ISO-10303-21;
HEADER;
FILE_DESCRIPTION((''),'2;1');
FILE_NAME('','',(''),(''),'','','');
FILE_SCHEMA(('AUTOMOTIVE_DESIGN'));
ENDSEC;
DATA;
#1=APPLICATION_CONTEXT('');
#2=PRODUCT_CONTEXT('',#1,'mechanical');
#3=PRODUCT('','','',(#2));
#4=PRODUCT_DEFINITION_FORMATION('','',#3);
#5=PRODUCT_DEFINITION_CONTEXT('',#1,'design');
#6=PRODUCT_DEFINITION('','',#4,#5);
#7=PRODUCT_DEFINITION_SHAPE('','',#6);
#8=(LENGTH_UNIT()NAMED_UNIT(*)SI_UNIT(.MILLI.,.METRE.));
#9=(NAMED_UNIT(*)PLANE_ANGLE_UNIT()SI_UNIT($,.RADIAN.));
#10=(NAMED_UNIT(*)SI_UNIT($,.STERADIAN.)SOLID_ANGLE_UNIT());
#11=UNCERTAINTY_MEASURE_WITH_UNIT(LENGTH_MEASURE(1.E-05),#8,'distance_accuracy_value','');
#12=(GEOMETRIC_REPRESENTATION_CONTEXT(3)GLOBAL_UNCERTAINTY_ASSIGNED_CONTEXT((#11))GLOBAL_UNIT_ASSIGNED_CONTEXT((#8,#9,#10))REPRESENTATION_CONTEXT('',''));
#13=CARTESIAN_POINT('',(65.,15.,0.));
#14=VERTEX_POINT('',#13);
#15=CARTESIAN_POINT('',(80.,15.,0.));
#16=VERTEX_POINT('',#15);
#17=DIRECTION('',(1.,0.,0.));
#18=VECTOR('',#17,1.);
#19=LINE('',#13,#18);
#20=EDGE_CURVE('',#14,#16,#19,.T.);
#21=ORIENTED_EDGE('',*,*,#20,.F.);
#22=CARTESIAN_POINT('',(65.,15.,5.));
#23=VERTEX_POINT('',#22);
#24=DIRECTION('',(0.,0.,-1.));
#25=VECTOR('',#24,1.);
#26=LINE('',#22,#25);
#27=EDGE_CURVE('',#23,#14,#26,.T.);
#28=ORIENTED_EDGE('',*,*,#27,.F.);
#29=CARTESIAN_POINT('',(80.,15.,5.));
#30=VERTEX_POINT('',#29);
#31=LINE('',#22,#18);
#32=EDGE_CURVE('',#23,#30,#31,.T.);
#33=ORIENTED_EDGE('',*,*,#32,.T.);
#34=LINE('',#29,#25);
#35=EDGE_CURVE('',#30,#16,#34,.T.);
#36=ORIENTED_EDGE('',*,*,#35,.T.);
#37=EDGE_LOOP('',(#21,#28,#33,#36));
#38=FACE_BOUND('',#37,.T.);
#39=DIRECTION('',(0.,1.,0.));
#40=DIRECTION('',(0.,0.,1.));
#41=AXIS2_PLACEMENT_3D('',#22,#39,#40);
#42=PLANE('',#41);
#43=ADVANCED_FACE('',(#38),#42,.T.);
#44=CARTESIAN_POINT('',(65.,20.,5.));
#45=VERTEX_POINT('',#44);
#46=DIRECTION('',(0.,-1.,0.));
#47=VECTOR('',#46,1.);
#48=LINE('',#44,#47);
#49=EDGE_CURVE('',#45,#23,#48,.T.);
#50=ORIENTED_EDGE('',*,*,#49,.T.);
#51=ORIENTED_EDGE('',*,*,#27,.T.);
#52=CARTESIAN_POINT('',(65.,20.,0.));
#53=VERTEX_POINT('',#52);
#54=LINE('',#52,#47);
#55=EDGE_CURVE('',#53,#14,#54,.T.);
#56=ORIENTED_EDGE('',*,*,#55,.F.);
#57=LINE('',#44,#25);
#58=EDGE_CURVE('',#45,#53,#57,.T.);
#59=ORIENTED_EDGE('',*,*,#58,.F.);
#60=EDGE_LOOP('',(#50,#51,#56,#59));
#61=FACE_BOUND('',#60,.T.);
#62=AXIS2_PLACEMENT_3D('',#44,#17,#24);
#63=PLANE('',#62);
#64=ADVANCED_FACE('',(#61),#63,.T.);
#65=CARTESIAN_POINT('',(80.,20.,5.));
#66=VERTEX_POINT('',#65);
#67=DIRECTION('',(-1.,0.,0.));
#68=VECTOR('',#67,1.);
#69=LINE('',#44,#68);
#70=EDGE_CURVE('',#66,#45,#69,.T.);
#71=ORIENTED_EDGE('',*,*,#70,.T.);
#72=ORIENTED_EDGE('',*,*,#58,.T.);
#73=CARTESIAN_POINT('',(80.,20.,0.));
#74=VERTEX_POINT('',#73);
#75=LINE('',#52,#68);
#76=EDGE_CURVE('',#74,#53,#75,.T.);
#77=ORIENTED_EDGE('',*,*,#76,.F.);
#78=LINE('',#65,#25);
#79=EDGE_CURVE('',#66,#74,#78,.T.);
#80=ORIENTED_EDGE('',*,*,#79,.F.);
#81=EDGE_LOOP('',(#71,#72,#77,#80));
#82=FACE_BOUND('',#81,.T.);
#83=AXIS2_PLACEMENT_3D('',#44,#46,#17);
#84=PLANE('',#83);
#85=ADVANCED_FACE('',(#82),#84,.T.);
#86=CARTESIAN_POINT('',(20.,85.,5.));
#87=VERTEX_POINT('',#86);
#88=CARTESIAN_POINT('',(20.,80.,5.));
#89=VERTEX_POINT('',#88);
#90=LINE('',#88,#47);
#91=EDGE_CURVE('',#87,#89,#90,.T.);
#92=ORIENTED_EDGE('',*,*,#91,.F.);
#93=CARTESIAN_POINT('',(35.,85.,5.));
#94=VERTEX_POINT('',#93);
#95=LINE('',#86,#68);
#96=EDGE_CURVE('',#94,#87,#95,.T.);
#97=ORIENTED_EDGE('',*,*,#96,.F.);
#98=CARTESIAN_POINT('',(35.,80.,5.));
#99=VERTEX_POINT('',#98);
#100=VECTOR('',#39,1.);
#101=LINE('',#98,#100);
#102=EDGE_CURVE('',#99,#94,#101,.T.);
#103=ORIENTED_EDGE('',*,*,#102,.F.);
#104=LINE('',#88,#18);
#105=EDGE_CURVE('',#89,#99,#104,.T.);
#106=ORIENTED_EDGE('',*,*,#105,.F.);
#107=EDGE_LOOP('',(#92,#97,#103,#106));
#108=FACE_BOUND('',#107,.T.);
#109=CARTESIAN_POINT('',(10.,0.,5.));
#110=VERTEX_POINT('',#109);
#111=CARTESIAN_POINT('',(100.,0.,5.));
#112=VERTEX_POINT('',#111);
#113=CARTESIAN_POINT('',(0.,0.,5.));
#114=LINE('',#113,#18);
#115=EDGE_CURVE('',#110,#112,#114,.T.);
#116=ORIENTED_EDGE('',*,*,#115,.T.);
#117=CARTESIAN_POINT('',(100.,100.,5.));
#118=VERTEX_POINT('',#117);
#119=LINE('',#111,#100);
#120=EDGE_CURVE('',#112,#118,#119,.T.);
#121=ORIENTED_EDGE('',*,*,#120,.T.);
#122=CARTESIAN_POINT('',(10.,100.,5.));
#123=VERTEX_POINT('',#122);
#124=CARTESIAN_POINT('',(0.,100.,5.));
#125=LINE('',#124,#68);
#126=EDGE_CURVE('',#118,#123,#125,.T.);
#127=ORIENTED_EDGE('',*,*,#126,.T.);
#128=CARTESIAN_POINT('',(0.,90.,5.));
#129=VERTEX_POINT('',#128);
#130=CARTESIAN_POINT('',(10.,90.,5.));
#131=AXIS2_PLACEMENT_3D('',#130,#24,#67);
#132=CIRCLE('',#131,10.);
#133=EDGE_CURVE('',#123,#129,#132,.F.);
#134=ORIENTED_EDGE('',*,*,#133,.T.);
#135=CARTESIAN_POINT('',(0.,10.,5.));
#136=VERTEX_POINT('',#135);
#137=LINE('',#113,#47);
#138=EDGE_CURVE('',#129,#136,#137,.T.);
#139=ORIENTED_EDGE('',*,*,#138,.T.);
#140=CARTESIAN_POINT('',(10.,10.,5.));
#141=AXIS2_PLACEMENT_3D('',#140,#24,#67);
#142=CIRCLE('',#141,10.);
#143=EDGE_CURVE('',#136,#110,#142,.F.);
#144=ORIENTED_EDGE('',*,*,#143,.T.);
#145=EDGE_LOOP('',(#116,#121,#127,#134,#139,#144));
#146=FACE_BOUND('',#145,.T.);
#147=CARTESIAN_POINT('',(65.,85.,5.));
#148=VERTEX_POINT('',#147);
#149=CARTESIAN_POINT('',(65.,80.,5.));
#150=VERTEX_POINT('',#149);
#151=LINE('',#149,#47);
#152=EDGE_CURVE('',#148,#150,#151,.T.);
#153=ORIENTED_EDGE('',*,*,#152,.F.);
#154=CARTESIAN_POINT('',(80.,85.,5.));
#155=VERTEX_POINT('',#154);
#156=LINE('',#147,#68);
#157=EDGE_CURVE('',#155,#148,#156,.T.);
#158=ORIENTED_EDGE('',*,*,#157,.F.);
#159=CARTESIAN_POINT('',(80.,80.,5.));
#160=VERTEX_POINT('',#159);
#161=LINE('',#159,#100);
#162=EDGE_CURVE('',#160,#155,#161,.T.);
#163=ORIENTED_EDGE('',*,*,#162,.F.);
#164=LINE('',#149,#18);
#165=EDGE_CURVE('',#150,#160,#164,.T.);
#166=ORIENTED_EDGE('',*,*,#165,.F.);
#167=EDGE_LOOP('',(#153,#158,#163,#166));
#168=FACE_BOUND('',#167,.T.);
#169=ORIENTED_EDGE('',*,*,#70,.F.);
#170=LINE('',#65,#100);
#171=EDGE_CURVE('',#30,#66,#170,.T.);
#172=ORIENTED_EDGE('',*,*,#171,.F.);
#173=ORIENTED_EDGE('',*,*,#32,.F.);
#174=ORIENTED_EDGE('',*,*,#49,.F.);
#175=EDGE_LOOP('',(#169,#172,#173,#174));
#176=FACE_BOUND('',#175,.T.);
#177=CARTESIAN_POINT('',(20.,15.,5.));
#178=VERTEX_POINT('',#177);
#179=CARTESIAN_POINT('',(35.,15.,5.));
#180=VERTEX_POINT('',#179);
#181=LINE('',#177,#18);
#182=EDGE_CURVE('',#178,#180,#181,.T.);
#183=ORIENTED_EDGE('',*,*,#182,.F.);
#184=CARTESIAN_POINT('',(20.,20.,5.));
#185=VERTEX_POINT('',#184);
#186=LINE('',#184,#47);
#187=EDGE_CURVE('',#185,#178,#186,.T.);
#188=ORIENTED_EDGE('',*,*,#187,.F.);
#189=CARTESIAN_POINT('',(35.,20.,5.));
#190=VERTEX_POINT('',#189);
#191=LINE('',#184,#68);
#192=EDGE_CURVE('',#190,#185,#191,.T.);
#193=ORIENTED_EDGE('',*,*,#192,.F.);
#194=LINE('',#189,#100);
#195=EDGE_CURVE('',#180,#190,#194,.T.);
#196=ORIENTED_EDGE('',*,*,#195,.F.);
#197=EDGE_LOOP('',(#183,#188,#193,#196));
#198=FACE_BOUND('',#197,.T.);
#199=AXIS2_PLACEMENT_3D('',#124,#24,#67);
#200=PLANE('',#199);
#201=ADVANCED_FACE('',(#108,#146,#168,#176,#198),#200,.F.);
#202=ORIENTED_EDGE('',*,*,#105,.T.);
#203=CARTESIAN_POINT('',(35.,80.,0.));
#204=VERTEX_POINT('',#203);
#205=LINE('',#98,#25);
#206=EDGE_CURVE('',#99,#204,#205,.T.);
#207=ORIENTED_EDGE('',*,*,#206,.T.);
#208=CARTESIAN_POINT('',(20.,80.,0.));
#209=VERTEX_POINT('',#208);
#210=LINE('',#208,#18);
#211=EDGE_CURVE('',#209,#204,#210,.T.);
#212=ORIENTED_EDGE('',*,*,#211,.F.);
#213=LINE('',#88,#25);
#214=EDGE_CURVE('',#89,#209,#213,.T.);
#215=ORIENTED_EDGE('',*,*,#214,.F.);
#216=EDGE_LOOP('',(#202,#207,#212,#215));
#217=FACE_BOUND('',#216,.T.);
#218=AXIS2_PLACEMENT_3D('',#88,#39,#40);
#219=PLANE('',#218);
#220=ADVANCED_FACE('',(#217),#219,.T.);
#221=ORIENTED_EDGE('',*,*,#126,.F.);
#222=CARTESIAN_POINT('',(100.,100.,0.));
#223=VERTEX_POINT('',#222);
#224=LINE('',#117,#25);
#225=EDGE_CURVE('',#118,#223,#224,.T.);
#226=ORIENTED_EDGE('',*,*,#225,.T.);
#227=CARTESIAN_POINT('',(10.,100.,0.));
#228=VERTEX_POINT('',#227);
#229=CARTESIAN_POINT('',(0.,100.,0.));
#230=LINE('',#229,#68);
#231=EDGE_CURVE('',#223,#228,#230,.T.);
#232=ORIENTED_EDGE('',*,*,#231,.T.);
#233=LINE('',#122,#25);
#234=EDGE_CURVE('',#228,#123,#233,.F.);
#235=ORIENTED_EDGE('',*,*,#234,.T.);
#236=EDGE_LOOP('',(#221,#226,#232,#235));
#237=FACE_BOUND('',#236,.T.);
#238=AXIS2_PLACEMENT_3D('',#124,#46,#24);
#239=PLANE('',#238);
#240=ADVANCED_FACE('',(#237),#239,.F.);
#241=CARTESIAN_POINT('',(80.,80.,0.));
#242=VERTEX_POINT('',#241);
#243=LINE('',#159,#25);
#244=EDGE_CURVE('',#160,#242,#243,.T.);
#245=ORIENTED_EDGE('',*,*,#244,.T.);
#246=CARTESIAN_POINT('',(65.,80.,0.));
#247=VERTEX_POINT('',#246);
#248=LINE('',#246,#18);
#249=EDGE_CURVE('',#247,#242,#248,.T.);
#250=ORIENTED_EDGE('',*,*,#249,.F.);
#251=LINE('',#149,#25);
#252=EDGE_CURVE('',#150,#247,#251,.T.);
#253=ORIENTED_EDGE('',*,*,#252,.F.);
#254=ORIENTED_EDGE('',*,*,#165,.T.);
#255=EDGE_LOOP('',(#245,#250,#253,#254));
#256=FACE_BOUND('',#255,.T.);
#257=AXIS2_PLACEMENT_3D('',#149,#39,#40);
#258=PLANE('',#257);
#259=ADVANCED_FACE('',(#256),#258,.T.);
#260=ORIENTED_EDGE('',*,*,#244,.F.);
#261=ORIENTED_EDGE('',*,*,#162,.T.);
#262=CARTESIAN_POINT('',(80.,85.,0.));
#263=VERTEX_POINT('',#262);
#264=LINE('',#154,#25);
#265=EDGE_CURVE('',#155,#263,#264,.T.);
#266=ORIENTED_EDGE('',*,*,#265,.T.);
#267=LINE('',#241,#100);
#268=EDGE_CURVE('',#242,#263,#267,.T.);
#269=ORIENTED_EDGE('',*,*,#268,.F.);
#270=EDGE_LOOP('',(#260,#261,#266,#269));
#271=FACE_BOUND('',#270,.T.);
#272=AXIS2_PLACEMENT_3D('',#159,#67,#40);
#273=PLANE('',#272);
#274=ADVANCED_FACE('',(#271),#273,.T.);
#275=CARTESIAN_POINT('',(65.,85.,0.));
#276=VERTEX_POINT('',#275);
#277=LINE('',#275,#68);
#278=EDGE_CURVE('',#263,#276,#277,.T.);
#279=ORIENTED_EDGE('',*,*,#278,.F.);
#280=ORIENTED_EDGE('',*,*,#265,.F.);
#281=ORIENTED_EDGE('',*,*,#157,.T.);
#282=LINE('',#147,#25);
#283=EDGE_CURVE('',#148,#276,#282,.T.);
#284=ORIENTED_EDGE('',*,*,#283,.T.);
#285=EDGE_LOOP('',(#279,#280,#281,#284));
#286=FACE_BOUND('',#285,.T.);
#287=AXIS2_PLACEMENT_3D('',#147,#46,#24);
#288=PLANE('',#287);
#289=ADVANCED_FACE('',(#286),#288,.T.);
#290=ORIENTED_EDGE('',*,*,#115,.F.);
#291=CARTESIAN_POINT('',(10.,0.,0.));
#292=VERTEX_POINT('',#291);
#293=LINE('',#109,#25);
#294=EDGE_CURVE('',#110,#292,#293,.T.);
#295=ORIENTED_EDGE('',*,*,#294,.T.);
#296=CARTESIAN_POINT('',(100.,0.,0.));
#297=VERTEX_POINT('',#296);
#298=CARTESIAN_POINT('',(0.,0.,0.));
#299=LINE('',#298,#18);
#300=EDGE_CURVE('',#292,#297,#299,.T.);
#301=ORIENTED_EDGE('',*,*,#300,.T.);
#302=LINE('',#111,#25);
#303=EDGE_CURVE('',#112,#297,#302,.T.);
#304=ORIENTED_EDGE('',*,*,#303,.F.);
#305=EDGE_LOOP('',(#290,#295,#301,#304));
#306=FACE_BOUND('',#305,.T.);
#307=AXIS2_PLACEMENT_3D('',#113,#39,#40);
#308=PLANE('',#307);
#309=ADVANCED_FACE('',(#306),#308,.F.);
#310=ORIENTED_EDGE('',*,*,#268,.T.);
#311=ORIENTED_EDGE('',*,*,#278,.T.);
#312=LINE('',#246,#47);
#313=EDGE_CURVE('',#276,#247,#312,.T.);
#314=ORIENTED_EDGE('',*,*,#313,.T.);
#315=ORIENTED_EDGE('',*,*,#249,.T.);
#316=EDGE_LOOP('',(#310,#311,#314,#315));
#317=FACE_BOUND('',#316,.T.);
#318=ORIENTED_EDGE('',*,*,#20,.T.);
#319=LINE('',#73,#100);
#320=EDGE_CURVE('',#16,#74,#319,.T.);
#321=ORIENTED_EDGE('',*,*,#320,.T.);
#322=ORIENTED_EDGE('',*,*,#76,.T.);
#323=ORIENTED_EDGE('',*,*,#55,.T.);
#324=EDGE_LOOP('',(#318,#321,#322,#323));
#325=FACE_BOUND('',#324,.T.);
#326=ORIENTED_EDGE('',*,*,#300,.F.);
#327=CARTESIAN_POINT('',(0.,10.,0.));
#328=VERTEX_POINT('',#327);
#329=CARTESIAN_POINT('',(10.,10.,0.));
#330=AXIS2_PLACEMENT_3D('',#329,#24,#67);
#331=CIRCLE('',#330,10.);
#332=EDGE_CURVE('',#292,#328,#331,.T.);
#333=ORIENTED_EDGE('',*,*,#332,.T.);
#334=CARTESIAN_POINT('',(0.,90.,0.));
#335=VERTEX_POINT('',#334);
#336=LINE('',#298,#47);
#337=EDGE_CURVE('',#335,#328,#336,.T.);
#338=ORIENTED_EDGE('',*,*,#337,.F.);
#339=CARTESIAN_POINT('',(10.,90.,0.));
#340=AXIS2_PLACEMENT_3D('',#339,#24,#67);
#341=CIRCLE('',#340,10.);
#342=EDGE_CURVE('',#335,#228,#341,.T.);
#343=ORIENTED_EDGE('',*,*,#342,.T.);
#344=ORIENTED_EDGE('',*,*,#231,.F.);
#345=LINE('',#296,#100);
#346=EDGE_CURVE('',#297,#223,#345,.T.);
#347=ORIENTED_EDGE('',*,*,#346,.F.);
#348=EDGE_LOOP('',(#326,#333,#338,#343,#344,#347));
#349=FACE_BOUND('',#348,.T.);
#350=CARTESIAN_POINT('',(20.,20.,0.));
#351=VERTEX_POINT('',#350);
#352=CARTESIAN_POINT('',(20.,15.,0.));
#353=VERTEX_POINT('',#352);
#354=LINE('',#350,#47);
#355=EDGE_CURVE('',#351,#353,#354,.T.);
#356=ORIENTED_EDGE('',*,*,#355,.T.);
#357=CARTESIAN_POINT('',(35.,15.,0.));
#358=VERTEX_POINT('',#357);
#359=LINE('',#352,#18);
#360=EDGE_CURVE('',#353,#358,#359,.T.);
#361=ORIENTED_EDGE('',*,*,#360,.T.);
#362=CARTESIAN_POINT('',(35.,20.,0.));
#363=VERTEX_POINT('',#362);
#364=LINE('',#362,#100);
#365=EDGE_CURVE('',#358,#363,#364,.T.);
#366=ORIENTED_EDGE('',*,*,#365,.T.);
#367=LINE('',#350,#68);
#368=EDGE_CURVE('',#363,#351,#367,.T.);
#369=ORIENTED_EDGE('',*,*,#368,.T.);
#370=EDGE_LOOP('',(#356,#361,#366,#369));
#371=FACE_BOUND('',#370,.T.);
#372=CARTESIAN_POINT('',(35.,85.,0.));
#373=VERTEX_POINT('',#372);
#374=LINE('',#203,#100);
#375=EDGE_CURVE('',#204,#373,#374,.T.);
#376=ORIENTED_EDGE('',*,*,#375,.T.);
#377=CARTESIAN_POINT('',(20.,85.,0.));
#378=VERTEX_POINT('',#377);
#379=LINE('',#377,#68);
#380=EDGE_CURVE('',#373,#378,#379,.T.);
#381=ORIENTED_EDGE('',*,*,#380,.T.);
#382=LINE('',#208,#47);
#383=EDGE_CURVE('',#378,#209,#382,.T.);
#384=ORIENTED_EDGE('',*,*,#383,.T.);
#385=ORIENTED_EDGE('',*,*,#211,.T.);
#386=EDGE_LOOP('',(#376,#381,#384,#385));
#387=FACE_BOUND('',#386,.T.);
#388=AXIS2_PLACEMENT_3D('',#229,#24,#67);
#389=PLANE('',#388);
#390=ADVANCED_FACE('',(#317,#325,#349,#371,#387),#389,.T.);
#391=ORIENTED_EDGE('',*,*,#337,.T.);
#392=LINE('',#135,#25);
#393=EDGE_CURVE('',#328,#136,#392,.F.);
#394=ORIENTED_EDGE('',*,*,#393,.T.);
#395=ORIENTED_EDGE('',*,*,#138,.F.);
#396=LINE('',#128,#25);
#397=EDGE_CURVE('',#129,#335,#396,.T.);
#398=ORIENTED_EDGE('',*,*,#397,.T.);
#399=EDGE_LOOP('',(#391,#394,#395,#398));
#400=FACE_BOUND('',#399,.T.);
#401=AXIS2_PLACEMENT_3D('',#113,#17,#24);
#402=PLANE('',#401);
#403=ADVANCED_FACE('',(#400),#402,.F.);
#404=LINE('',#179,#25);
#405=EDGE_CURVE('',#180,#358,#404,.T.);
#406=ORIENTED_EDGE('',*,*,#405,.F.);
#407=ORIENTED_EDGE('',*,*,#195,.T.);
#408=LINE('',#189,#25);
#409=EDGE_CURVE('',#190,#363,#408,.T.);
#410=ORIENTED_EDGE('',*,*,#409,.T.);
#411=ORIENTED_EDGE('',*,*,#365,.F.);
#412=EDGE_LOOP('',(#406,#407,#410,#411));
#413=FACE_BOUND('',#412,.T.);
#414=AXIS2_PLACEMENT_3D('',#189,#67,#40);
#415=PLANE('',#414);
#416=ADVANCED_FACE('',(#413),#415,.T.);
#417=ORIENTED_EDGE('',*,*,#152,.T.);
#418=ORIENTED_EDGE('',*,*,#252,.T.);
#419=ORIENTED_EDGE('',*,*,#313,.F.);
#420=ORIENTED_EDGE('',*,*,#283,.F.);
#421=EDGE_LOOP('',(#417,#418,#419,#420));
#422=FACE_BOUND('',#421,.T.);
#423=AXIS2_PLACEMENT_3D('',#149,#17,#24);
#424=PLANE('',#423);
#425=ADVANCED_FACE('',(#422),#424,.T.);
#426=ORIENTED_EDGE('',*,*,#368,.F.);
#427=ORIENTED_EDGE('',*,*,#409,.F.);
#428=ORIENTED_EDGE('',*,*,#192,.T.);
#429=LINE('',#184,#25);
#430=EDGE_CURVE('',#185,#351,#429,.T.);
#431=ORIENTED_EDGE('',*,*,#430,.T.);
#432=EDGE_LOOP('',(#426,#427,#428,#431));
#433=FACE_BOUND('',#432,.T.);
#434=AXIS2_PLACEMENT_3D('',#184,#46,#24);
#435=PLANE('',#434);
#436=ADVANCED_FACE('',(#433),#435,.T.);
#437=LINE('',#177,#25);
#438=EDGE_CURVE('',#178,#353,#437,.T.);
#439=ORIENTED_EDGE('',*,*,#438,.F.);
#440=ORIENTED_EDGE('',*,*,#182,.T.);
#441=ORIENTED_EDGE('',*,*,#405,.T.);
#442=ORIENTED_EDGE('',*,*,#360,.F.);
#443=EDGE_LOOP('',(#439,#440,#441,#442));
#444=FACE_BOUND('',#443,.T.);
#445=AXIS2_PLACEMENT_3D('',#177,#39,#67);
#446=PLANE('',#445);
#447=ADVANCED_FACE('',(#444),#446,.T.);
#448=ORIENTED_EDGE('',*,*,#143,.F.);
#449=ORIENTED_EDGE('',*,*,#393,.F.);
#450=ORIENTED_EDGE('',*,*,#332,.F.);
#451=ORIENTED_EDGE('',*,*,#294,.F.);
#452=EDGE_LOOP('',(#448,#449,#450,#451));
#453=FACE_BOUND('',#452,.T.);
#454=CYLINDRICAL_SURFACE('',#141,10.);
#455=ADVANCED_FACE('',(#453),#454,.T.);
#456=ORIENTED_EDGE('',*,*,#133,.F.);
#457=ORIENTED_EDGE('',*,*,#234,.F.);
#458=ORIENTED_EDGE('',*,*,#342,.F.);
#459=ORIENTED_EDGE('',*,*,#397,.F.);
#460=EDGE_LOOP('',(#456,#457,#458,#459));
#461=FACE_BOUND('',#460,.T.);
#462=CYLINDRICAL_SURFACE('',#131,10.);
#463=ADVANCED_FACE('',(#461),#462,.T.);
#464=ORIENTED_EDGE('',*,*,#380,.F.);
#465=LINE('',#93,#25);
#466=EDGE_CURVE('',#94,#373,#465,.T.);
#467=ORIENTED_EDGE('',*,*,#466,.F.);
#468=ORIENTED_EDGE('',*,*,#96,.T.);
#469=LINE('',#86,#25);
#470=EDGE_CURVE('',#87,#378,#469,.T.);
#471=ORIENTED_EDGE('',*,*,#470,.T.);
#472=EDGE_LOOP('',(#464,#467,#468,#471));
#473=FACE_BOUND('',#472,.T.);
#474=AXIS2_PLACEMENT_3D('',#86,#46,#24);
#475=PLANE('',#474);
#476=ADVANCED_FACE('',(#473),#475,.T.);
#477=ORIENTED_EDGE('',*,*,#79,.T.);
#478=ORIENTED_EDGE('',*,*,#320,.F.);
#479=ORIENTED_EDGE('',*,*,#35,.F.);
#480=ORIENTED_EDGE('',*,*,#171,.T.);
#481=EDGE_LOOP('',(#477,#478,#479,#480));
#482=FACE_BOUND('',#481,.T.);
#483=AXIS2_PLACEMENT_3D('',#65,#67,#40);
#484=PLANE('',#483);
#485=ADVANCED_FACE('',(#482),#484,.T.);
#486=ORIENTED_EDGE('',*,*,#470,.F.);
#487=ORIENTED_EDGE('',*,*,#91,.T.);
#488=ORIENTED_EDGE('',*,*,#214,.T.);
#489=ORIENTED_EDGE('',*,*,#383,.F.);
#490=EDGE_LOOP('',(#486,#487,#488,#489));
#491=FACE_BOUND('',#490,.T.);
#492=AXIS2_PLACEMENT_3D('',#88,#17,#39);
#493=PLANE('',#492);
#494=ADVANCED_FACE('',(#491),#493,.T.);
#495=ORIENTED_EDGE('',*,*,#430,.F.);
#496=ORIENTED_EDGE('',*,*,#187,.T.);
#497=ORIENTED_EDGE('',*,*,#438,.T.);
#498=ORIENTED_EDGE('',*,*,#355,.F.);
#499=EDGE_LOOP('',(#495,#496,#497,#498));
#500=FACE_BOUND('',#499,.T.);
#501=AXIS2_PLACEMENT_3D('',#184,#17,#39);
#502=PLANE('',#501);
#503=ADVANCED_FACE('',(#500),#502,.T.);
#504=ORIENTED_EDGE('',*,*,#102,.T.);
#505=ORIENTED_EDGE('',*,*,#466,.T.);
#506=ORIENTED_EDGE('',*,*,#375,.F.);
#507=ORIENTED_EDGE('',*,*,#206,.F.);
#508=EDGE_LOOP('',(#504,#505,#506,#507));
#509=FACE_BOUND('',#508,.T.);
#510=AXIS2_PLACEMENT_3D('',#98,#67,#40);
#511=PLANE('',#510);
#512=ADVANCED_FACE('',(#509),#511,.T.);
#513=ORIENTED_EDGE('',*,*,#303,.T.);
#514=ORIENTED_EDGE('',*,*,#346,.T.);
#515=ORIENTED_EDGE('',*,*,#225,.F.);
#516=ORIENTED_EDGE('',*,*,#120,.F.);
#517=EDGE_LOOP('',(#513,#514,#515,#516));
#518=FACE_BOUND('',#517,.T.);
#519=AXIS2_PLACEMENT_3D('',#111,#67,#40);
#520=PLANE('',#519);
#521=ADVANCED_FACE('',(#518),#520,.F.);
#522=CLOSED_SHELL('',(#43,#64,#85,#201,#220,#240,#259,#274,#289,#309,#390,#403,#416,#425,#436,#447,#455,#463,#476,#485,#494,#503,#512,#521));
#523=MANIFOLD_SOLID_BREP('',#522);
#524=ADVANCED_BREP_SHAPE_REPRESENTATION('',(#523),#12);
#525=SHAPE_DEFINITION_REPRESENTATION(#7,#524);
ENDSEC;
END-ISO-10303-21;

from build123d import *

# Parameters (mm, degrees)
SKETCH1_W           = 100
SKETCH1_H           = 100
SKETCH1_W_2         = 15
SKETCH1_H_2         = 5
BOSS_EXTRUDE1_DEPTH = 5
FILLET1_R           = 10


with BuildPart() as part:
    # Sketch1 → Boss-Extrude1 (new body)
    with BuildSketch(Plane.XY):
        with Locations((50, 50)):
            Rectangle(SKETCH1_W, SKETCH1_H)
        with Locations((72.5, 82.5)):
            Rectangle(SKETCH1_W_2, SKETCH1_H_2, mode=Mode.SUBTRACT)
        with Locations((27.5, 17.5)):
            Rectangle(SKETCH1_W_2, SKETCH1_H_2, mode=Mode.SUBTRACT)
        with Locations((72.5, 17.5)):
            Rectangle(SKETCH1_W_2, SKETCH1_H_2, mode=Mode.SUBTRACT)
        with Locations((27.5, 82.5)):
            Rectangle(SKETCH1_W_2, SKETCH1_H_2, mode=Mode.SUBTRACT)
    extrude(amount=BOSS_EXTRUDE1_DEPTH)

    # Fillet1
    fillet1_edges = [part.edges().sort_by_distance(p)[0] for p in [
        (0, 100, 2.5),
        (0, 0, 2.5),
    ]]
    fillet(fillet1_edges, radius=FILLET1_R)


solid = part.part
